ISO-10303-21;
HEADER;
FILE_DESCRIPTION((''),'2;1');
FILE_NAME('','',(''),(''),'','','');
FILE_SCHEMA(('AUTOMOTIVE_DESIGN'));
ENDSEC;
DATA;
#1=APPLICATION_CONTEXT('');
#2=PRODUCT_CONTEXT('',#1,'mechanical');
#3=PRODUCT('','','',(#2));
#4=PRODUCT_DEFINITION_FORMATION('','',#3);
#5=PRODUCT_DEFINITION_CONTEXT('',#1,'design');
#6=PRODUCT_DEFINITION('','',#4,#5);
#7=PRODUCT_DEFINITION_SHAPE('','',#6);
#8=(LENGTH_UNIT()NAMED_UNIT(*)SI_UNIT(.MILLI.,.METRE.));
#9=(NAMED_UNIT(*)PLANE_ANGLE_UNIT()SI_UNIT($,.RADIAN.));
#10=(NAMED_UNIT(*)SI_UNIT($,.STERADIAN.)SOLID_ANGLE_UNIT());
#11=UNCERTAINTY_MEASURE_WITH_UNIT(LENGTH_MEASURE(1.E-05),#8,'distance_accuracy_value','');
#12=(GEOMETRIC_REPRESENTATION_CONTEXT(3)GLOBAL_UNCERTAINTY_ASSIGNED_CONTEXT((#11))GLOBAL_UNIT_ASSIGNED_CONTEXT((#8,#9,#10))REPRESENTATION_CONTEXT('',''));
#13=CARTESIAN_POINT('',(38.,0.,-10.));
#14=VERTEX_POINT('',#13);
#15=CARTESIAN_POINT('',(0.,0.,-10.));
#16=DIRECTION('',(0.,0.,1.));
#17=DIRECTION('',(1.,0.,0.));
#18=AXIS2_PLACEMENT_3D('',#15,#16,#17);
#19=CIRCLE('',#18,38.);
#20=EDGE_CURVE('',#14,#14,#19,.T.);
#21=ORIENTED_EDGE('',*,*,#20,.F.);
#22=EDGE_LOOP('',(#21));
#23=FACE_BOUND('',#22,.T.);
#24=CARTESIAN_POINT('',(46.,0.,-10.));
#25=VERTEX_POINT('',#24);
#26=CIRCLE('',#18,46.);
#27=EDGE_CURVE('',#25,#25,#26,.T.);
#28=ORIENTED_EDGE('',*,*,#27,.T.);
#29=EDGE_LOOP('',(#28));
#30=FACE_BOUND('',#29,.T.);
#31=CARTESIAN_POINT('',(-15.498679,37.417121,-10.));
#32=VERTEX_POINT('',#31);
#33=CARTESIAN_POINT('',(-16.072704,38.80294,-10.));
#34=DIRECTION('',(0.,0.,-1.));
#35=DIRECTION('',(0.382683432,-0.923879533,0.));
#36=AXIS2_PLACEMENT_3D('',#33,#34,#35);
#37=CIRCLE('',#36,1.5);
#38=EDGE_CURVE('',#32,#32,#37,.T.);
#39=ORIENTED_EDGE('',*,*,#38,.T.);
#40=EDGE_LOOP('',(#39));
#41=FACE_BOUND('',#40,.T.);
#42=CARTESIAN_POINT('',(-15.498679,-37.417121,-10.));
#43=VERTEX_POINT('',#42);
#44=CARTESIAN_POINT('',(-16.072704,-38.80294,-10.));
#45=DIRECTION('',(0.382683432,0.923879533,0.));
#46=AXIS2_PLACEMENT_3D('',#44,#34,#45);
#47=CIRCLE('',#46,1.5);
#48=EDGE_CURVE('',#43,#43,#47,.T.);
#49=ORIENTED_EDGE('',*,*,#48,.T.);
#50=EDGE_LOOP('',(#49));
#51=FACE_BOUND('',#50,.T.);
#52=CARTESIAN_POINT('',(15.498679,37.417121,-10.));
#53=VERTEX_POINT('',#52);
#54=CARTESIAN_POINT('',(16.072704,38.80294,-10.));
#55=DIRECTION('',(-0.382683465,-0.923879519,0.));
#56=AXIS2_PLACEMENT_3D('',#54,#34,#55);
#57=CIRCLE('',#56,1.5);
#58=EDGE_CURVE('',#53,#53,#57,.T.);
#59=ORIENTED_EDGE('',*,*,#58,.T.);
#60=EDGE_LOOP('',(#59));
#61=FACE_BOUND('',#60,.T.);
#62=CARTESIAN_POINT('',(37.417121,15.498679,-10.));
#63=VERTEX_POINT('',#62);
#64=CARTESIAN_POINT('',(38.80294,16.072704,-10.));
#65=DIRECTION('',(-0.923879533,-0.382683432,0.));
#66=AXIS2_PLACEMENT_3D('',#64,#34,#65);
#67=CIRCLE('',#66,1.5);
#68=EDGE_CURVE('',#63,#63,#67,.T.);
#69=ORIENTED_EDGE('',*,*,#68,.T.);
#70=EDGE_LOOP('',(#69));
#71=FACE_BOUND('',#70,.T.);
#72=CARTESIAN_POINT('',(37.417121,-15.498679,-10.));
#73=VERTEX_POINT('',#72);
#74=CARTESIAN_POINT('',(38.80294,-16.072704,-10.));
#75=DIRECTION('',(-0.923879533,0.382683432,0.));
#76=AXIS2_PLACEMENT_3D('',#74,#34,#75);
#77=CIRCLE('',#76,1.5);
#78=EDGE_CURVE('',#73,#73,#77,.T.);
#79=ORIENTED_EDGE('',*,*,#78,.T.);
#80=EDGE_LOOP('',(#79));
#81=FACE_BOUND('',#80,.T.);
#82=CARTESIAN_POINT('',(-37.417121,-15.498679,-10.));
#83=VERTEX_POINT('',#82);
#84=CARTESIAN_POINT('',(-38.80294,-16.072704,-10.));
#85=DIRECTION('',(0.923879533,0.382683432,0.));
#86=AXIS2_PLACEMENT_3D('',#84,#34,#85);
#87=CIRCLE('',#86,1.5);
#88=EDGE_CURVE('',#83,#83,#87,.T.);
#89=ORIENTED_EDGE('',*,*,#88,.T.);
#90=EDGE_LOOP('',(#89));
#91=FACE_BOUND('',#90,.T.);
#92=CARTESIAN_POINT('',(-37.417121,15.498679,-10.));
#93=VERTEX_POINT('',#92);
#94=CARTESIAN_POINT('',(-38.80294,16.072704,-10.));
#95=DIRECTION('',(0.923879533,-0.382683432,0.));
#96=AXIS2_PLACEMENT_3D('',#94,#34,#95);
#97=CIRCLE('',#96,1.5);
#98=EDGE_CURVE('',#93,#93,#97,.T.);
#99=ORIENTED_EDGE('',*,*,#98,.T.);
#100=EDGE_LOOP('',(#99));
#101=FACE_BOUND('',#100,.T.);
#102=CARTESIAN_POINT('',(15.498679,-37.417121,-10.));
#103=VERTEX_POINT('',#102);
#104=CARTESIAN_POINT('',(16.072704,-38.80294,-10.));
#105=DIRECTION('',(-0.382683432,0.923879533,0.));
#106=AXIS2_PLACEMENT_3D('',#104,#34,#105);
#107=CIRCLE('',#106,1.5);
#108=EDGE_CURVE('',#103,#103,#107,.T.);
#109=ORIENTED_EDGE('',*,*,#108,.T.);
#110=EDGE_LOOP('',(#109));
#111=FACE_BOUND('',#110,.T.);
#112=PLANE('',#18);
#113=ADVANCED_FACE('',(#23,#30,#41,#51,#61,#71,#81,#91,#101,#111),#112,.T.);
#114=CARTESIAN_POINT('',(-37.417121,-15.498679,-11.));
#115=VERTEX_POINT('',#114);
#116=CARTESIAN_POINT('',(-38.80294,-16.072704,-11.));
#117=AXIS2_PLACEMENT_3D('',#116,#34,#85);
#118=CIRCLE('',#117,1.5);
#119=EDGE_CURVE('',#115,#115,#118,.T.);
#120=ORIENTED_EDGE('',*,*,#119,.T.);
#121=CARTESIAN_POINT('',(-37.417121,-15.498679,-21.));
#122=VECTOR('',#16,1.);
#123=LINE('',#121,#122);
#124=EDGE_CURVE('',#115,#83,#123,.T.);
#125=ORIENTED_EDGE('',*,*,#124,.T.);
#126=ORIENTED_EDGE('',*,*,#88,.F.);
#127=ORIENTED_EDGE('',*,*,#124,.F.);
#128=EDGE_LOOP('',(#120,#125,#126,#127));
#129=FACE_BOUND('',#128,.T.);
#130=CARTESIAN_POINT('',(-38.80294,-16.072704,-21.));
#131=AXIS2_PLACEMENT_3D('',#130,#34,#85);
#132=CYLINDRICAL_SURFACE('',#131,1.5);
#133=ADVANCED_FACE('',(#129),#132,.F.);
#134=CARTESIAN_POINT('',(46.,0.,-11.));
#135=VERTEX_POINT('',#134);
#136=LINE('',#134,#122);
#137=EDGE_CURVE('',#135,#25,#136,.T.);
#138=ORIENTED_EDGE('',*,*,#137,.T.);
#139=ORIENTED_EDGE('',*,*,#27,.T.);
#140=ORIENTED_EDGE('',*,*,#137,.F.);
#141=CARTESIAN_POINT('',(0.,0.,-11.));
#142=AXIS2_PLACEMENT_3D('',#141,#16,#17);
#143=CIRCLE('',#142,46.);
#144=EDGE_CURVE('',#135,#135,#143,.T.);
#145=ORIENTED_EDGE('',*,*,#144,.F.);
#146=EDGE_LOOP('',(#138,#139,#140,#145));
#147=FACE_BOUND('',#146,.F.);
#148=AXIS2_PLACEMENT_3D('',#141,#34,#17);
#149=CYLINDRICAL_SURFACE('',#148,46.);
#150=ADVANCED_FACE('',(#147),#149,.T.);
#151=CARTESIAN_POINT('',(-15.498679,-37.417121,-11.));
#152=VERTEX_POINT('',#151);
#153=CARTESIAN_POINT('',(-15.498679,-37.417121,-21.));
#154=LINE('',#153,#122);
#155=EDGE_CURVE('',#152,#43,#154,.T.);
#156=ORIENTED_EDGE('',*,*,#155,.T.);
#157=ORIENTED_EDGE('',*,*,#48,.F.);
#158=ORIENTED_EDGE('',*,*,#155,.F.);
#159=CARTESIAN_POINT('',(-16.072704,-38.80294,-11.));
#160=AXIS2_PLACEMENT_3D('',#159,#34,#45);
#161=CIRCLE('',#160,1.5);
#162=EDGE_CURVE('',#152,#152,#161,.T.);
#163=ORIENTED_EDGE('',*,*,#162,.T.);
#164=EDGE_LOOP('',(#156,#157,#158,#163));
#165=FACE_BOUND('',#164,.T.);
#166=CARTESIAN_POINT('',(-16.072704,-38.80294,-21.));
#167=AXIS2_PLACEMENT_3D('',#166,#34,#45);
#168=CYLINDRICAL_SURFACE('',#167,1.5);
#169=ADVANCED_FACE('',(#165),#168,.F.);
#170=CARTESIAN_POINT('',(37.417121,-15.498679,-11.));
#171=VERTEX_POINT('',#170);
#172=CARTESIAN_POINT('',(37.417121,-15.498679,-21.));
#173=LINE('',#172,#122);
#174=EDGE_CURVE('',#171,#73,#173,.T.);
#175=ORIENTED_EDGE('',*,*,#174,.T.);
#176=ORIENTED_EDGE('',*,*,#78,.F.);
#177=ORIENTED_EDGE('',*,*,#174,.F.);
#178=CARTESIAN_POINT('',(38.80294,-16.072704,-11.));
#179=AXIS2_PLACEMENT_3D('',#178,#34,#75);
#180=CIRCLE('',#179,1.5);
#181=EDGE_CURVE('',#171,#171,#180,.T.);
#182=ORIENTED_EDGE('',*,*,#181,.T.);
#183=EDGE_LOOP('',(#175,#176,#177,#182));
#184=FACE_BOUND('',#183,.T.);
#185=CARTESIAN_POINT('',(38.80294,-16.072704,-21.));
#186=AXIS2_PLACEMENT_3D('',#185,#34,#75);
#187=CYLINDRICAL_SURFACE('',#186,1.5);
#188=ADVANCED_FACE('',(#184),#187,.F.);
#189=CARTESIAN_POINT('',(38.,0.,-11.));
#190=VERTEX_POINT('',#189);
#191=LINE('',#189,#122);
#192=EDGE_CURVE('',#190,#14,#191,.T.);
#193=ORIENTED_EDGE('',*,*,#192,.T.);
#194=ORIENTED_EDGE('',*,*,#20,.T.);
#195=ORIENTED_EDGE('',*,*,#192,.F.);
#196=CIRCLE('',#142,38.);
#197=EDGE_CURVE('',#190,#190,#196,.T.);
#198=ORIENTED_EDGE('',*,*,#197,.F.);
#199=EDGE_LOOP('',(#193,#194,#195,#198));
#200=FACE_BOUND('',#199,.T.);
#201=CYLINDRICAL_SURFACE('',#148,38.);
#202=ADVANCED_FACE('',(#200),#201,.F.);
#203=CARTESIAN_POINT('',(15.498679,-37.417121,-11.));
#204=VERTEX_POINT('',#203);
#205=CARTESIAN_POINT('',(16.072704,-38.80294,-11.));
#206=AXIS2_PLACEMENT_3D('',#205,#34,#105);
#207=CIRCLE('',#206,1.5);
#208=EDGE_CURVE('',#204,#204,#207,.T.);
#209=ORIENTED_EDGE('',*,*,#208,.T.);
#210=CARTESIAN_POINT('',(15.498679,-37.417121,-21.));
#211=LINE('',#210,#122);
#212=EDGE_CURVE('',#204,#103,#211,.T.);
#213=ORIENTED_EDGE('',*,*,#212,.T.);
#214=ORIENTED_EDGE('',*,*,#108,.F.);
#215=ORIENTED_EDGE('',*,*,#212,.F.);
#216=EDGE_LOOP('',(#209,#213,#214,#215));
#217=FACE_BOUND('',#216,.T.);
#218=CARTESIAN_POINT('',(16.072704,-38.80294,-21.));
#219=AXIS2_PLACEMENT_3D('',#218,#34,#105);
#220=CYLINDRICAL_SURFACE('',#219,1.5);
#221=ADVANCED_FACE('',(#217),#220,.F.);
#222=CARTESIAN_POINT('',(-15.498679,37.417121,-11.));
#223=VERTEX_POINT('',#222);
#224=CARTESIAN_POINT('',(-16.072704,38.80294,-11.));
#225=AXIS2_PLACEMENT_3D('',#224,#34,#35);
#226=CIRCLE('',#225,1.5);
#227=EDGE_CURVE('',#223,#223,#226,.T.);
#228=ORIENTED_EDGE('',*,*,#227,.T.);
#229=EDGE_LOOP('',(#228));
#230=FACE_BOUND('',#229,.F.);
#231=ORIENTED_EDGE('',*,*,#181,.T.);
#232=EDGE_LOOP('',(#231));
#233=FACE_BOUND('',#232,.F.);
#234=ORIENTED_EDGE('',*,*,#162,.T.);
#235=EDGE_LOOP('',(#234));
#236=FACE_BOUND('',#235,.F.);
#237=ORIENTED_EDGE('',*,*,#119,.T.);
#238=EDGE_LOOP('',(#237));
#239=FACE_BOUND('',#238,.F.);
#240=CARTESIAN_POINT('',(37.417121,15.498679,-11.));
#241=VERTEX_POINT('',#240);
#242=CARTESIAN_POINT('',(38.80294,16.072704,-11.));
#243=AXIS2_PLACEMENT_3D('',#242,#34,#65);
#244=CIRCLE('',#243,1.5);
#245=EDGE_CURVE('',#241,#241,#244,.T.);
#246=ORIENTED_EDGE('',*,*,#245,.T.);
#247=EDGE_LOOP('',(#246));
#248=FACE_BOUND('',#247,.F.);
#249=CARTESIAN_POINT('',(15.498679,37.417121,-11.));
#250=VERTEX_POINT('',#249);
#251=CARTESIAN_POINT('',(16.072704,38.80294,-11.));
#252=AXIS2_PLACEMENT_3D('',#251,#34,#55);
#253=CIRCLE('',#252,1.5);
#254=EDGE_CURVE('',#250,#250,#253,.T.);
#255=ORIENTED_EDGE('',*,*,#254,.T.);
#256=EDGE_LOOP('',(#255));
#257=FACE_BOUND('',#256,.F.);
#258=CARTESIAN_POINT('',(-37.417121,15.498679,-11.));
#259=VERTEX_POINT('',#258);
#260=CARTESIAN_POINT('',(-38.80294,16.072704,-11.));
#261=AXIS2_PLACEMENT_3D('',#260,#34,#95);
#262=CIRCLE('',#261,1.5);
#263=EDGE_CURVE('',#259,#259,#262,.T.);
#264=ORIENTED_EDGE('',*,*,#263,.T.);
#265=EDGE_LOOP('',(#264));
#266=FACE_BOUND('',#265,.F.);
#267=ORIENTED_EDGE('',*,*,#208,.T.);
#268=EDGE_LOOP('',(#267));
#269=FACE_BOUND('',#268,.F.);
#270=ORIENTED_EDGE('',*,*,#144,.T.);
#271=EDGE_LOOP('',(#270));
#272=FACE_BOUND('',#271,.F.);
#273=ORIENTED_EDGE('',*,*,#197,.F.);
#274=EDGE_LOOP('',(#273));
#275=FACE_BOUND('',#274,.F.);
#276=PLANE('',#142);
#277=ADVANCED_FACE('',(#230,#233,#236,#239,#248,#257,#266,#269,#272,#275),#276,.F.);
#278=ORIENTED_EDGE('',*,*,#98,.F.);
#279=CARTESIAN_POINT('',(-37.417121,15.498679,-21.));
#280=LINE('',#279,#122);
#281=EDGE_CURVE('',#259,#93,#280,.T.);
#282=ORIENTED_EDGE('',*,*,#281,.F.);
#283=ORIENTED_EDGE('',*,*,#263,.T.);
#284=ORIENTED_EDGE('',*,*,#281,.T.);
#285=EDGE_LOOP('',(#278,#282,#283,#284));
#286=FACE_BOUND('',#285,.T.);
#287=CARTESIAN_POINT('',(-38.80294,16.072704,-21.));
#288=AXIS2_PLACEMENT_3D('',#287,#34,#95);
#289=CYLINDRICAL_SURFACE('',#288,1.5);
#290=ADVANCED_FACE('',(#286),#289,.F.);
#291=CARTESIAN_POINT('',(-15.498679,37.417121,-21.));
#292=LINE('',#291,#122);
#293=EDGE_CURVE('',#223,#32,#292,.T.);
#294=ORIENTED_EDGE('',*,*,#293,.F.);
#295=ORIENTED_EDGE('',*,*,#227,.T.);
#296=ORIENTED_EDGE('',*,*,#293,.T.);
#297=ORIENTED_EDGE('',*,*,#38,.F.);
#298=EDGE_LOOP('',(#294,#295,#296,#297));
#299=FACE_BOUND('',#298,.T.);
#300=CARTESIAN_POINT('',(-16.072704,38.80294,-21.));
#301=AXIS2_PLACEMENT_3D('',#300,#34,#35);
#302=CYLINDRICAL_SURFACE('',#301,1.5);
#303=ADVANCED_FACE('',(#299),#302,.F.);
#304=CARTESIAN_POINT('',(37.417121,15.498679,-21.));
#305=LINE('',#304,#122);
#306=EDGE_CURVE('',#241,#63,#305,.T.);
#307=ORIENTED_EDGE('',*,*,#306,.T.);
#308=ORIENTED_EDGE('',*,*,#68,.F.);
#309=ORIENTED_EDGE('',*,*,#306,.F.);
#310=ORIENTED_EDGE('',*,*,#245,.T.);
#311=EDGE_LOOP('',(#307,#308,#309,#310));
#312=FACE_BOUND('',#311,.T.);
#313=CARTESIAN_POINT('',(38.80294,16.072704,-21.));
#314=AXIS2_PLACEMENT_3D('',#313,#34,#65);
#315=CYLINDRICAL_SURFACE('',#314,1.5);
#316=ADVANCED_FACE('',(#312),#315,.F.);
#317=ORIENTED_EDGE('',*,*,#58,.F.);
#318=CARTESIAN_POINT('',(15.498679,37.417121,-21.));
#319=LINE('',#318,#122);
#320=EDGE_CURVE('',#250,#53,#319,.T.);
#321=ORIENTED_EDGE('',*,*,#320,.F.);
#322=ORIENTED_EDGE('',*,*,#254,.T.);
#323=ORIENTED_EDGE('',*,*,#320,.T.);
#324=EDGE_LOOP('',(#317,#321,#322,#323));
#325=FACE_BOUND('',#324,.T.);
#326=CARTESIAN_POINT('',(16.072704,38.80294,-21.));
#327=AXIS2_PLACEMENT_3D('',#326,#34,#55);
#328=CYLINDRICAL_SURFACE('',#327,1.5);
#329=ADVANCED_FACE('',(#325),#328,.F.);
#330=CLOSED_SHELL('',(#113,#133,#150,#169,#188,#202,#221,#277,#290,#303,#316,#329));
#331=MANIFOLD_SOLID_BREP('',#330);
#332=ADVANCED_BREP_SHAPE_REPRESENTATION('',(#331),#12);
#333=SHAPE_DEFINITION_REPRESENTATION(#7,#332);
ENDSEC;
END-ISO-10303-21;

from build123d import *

# Parameters (mm, degrees)
CYLINDER323_R               = 1.5
CYLINDER323_DEPTH           = 30
CYLINDER323_PLACEMENT_ANGLE = 67.5
CYLINDER324_R               = 1.5
CYLINDER324_DEPTH           = 30
CYLINDER324_PLACEMENT_ANGLE = 112.5
CYLINDER011_R               = 1.5
CYLINDER011_DEPTH           = 30
CYLINDER011_PLACEMENT_ANGLE = 157.5
CYLINDER012_R               = 1.5
CYLINDER012_DEPTH           = 30
CYLINDER012_PLACEMENT_ANGLE = 202.5
CYLINDER013_R               = 1.5
CYLINDER013_DEPTH           = 30
CYLINDER013_PLACEMENT_ANGLE = 112.500002
CYLINDER014_R               = 1.5
CYLINDER014_DEPTH           = 30
CYLINDER014_PLACEMENT_ANGLE = 67.5
CYLINDER015_R               = 1.5
CYLINDER015_DEPTH           = 30
CYLINDER015_PLACEMENT_ANGLE = 22.5
CYLINDER325_R               = 1.5
CYLINDER325_DEPTH           = 30
CYLINDER325_PLACEMENT_ANGLE = 22.5
TUBE004_R                   = 46
TUBE004_R_2                 = 38
TUBE004_DEPTH               = 1


with BuildPart() as v_lec323:
    # Cylinder323 → Cylinder323 (new body)
    with BuildSketch(Plane.XY):
        Circle(CYLINDER323_R)
    extrude(amount=CYLINDER323_DEPTH)


with BuildPart() as v_lec323_1:
    # Cylinder323 placement: moved
    add(v_lec323.part.moved(Location((-16.072704, -38.80294, 40))).rotate(Axis((-16.072704, -38.80294, 40), (0, 0, 1)), CYLINDER323_PLACEMENT_ANGLE))


with BuildPart() as v_lec324:
    # Cylinder324 → Cylinder324 (new body)
    with BuildSketch(Plane.XY):
        Circle(CYLINDER324_R)
    extrude(amount=CYLINDER324_DEPTH)


with BuildPart() as v_lec324_1:
    # Cylinder324 placement: moved
    add(v_lec324.part.moved(Location((16.072704, -38.80294, 40))).rotate(Axis((16.072704, -38.80294, 40), (0, 0, 1)), CYLINDER324_PLACEMENT_ANGLE))


with BuildPart() as v_lec011:
    # Cylinder011 → Cylinder011 (new body)
    with BuildSketch(Plane.XY):
        Circle(CYLINDER011_R)
    extrude(amount=CYLINDER011_DEPTH)


with BuildPart() as v_lec011_1:
    # Cylinder011 placement: moved
    add(v_lec011.part.moved(Location((38.80294, -16.072704, 40))).rotate(Axis((38.80294, -16.072704, 40), (0, 0, 1)), CYLINDER011_PLACEMENT_ANGLE))


with BuildPart() as v_lec012:
    # Cylinder012 → Cylinder012 (new body)
    with BuildSketch(Plane.XY):
        Circle(CYLINDER012_R)
    extrude(amount=CYLINDER012_DEPTH)


with BuildPart() as v_lec012_1:
    # Cylinder012 placement: moved
    add(v_lec012.part.moved(Location((38.80294, 16.072704, 40))).rotate(Axis((38.80294, 16.072704, 40), (0, 0, 1)), CYLINDER012_PLACEMENT_ANGLE))


with BuildPart() as v_lec013:
    # Cylinder013 → Cylinder013 (new body)
    with BuildSketch(Plane.XY):
        Circle(CYLINDER013_R)
    extrude(amount=CYLINDER013_DEPTH)


with BuildPart() as v_lec013_1:
    # Cylinder013 placement: moved
    add(v_lec013.part.moved(Location((16.072704, 38.80294, 40))).rotate(Axis((16.072704, 38.80294, 40), (0, 0, -1)), CYLINDER013_PLACEMENT_ANGLE))


with BuildPart() as v_lec014:
    # Cylinder014 → Cylinder014 (new body)
    with BuildSketch(Plane.XY):
        Circle(CYLINDER014_R)
    extrude(amount=CYLINDER014_DEPTH)


with BuildPart() as v_lec014_1:
    # Cylinder014 placement: moved
    add(v_lec014.part.moved(Location((-16.072704, 38.80294, 40))).rotate(Axis((-16.072704, 38.80294, 40), (0, 0, -1)), CYLINDER014_PLACEMENT_ANGLE))


with BuildPart() as v_lec015:
    # Cylinder015 → Cylinder015 (new body)
    with BuildSketch(Plane.XY):
        Circle(CYLINDER015_R)
    extrude(amount=CYLINDER015_DEPTH)


with BuildPart() as v_lec015_1:
    # Cylinder015 placement: moved
    add(v_lec015.part.moved(Location((-38.80294, 16.072704, 40))).rotate(Axis((-38.80294, 16.072704, 40), (0, 0, -1)), CYLINDER015_PLACEMENT_ANGLE))


with BuildPart() as compound249:
    # Cylinder325 → Cylinder325 (new body)
    with BuildSketch(Plane.XY):
        Circle(CYLINDER325_R)
    extrude(amount=CYLINDER325_DEPTH)


with BuildPart() as compound249_1:
    # Cylinder325 placement: moved
    add(compound249.part.moved(Location((-38.80294, -16.072704, 40))).rotate(Axis((-38.80294, -16.072704, 40), (0, 0, 1)), CYLINDER325_PLACEMENT_ANGLE))

    # Compound249: union Válec323, Válec324, Válec011, Válec012, Válec013, Válec014, Válec015
    add(v_lec323_1.part)
    add(v_lec324_1.part)
    add(v_lec011_1.part)
    add(v_lec012_1.part)
    add(v_lec013_1.part)
    add(v_lec014_1.part)
    add(v_lec015_1.part)


with BuildPart() as podaktuarni_podlozka:
    # Tube004 → Tube004 (new body)
    with BuildSketch(Plane.XY.offset(50)):
        Circle(TUBE004_R)
        Circle(TUBE004_R_2, mode=Mode.SUBTRACT)
    extrude(amount=TUBE004_DEPTH)

    # Cut011: cut Compound249
    add(compound249_1.part, mode=Mode.SUBTRACT)


with BuildPart() as podaktuarni_podlozka_1:
    # Cut011 placement: moved
    add(podaktuarni_podlozka.part.moved(Location((0, 0, -61))))


solid = podaktuarni_podlozka_1.part
